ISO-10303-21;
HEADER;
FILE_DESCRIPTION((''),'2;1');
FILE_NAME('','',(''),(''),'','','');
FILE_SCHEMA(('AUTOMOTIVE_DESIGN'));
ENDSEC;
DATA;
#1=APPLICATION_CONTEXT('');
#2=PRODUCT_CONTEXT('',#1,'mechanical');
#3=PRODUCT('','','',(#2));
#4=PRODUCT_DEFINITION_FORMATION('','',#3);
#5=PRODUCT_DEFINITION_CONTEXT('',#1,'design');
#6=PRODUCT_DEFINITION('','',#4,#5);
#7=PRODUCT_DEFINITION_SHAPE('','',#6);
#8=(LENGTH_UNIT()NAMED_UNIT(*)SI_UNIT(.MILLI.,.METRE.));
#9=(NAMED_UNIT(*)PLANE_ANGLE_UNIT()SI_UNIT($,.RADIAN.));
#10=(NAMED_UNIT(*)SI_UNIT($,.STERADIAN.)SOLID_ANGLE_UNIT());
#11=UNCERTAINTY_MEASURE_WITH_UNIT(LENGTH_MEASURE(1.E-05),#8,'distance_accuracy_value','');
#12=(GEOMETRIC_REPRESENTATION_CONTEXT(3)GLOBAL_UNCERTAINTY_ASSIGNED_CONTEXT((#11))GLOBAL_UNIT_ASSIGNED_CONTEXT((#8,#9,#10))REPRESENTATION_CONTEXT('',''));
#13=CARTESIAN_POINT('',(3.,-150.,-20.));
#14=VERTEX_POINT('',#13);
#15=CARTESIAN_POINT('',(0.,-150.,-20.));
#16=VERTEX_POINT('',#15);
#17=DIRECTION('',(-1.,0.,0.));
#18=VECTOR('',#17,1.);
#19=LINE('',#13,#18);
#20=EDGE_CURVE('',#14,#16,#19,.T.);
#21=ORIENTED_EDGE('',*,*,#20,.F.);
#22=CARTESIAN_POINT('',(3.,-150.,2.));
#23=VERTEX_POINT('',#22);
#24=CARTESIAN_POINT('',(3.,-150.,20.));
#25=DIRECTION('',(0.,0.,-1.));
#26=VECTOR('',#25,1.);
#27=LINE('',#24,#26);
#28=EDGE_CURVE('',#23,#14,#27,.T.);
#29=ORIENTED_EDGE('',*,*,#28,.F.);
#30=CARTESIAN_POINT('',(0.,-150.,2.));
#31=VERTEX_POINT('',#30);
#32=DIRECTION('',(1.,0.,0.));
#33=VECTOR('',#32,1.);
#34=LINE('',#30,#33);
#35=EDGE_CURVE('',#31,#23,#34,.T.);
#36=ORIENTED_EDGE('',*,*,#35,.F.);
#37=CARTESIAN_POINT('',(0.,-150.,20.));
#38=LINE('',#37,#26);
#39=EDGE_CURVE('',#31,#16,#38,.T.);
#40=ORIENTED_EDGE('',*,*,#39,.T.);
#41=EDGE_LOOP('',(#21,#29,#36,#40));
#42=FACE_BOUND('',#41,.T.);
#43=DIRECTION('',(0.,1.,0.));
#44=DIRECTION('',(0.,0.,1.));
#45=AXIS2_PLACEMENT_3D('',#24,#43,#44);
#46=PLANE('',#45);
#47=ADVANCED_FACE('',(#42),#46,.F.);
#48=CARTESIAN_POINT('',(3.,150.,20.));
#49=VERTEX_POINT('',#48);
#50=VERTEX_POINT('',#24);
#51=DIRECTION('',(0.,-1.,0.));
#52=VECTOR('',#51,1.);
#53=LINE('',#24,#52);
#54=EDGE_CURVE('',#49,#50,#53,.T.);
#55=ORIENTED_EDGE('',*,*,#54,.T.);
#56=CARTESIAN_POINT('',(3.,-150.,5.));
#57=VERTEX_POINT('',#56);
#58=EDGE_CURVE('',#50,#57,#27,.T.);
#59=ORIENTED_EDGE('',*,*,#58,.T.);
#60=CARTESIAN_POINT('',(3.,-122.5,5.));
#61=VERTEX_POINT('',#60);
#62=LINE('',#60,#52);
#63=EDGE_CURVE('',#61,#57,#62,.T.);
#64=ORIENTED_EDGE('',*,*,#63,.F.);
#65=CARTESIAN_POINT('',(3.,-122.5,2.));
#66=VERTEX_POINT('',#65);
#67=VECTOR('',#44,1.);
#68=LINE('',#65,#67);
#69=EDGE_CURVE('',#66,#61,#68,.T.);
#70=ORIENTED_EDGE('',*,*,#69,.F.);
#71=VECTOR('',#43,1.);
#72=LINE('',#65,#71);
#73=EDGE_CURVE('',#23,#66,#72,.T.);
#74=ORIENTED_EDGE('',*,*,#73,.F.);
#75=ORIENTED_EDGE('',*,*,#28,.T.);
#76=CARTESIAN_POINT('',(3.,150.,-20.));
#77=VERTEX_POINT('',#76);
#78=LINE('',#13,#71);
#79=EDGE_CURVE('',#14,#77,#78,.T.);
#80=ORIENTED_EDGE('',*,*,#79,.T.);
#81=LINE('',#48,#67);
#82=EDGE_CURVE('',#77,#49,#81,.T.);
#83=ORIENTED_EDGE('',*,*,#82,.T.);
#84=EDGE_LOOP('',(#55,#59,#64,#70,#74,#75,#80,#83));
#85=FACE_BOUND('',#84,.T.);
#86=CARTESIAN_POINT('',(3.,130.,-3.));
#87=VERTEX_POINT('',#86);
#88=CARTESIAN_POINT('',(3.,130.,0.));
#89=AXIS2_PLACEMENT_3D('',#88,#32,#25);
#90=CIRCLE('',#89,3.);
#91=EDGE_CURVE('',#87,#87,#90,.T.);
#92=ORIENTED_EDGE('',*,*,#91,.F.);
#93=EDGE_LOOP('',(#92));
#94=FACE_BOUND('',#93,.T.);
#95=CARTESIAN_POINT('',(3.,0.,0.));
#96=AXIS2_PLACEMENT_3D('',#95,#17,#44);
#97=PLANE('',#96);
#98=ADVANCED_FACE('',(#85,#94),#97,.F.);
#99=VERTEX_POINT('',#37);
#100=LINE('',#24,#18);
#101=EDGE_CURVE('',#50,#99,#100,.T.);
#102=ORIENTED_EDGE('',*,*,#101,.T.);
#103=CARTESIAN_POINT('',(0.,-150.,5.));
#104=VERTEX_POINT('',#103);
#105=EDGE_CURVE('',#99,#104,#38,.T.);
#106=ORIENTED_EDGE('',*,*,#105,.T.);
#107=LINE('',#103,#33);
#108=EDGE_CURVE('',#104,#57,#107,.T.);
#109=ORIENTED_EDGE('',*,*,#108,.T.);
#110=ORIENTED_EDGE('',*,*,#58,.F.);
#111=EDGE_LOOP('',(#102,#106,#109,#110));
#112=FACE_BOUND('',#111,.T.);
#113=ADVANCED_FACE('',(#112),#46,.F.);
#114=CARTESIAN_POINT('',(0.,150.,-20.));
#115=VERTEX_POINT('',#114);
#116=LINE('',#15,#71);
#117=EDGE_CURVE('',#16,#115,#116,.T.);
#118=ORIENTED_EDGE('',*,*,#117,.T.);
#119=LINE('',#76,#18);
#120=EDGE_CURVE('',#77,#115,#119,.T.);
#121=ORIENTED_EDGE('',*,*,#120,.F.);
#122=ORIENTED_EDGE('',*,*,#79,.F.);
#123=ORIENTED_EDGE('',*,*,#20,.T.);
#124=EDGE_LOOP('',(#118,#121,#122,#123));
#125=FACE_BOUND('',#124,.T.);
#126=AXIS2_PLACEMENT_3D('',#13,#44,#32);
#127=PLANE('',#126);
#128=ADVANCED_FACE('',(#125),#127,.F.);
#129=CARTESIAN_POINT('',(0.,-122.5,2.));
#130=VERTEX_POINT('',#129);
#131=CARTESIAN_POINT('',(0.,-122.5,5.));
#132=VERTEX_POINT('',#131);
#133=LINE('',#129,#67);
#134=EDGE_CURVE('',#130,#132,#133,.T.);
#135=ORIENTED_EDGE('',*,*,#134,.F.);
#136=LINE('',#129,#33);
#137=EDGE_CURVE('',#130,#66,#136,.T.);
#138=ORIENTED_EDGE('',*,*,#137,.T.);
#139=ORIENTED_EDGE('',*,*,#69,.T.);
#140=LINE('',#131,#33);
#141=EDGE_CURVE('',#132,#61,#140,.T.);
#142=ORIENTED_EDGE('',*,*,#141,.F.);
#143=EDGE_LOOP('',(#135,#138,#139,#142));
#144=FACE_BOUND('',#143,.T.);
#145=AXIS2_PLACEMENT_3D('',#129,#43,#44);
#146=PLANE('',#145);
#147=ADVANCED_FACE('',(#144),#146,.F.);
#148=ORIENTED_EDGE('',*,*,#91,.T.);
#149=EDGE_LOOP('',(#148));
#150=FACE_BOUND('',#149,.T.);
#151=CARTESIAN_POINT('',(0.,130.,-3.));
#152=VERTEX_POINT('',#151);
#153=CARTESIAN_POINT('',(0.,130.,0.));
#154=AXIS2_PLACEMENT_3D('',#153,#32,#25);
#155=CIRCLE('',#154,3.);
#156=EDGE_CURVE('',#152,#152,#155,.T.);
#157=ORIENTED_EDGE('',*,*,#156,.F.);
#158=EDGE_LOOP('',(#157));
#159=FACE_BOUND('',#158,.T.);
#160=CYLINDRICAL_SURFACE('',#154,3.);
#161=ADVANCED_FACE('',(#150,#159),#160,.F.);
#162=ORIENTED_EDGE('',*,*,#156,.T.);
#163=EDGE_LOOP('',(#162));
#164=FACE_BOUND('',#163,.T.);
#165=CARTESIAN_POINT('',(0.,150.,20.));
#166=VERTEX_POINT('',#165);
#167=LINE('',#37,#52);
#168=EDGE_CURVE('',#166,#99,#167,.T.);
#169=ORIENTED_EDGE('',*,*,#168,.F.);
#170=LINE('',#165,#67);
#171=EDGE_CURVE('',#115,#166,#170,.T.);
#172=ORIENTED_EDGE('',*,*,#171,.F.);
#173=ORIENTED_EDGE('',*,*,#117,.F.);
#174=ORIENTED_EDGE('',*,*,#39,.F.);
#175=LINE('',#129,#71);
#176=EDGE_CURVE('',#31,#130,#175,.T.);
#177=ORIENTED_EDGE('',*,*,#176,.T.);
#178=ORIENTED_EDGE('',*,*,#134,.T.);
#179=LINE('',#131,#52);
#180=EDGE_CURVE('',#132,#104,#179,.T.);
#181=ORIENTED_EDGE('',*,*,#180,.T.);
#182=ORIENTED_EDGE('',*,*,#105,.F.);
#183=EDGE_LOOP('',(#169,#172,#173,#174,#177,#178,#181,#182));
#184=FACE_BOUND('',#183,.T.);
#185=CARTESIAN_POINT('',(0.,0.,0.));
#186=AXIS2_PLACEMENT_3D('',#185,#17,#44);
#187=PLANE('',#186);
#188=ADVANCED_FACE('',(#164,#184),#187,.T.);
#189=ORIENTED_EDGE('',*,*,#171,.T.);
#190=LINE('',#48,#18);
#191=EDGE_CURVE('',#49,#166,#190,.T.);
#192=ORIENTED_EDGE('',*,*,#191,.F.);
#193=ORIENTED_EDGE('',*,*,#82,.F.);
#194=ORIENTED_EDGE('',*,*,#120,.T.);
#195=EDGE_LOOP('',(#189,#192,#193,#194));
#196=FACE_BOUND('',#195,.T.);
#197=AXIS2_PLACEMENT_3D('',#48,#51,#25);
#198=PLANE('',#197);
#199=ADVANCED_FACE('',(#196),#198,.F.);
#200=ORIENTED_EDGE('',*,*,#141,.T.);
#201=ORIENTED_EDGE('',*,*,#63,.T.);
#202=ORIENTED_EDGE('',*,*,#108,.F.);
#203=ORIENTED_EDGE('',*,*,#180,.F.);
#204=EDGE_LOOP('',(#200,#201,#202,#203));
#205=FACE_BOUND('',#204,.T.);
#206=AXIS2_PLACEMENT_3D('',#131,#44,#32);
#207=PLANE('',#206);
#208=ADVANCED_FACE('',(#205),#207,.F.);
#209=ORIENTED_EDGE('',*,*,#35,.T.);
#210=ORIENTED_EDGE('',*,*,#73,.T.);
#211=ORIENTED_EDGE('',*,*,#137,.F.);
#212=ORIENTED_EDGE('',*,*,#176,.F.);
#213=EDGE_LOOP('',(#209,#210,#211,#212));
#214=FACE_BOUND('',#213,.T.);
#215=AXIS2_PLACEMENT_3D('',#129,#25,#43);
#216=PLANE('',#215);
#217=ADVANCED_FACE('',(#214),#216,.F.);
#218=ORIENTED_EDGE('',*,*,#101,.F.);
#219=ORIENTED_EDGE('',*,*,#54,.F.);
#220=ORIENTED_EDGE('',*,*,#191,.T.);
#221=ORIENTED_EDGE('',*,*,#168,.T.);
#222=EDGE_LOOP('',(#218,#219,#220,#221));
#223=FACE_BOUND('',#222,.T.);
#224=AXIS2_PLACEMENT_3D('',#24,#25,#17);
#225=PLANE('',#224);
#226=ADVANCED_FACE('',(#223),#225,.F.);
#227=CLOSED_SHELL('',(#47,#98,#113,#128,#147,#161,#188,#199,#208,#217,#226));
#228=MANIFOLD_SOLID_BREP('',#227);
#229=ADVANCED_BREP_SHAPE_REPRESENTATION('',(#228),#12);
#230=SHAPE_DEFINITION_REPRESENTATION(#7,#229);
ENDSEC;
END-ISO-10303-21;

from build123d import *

# Parameters (mm, degrees)
SKETCH1_W           = 40
SKETCH1_H           = 300
BOSS_EXTRUDE1_DEPTH = 3
SKETCH2_R           = 3
CUT_EXTRUDE1_DEPTH  = 3
SKETCH3_W           = 3
SKETCH3_H           = 27.5
CUT_EXTRUDE2_DEPTH  = 3


with BuildPart() as part:
    # Sketch1 → Boss-Extrude1 (new body)
    with BuildSketch(Plane(origin=(0, 0, 0), x_dir=(0, 0, -1), z_dir=(1, 0, 0))):
        Rectangle(SKETCH1_W, SKETCH1_H)
    extrude(amount=BOSS_EXTRUDE1_DEPTH)

    # Sketch2 → Cut-Extrude1 (cut)
    with BuildSketch(Plane(origin=(3, 0, 0), x_dir=(0, 0, -1), z_dir=(1, 0, 0))):
        with Locations((0, 130)):
            Circle(SKETCH2_R)
    extrude(amount=-CUT_EXTRUDE1_DEPTH, mode=Mode.SUBTRACT)

    # Sketch3 → Cut-Extrude2 (cut)
    with BuildSketch(Plane(origin=(3, 0, 0), x_dir=(0, 0, -1), z_dir=(1, 0, 0))):
        with Locations((-3.5, -136.25)):
            Rectangle(SKETCH3_W, SKETCH3_H)
    extrude(amount=-CUT_EXTRUDE2_DEPTH, mode=Mode.SUBTRACT)


solid = part.part
